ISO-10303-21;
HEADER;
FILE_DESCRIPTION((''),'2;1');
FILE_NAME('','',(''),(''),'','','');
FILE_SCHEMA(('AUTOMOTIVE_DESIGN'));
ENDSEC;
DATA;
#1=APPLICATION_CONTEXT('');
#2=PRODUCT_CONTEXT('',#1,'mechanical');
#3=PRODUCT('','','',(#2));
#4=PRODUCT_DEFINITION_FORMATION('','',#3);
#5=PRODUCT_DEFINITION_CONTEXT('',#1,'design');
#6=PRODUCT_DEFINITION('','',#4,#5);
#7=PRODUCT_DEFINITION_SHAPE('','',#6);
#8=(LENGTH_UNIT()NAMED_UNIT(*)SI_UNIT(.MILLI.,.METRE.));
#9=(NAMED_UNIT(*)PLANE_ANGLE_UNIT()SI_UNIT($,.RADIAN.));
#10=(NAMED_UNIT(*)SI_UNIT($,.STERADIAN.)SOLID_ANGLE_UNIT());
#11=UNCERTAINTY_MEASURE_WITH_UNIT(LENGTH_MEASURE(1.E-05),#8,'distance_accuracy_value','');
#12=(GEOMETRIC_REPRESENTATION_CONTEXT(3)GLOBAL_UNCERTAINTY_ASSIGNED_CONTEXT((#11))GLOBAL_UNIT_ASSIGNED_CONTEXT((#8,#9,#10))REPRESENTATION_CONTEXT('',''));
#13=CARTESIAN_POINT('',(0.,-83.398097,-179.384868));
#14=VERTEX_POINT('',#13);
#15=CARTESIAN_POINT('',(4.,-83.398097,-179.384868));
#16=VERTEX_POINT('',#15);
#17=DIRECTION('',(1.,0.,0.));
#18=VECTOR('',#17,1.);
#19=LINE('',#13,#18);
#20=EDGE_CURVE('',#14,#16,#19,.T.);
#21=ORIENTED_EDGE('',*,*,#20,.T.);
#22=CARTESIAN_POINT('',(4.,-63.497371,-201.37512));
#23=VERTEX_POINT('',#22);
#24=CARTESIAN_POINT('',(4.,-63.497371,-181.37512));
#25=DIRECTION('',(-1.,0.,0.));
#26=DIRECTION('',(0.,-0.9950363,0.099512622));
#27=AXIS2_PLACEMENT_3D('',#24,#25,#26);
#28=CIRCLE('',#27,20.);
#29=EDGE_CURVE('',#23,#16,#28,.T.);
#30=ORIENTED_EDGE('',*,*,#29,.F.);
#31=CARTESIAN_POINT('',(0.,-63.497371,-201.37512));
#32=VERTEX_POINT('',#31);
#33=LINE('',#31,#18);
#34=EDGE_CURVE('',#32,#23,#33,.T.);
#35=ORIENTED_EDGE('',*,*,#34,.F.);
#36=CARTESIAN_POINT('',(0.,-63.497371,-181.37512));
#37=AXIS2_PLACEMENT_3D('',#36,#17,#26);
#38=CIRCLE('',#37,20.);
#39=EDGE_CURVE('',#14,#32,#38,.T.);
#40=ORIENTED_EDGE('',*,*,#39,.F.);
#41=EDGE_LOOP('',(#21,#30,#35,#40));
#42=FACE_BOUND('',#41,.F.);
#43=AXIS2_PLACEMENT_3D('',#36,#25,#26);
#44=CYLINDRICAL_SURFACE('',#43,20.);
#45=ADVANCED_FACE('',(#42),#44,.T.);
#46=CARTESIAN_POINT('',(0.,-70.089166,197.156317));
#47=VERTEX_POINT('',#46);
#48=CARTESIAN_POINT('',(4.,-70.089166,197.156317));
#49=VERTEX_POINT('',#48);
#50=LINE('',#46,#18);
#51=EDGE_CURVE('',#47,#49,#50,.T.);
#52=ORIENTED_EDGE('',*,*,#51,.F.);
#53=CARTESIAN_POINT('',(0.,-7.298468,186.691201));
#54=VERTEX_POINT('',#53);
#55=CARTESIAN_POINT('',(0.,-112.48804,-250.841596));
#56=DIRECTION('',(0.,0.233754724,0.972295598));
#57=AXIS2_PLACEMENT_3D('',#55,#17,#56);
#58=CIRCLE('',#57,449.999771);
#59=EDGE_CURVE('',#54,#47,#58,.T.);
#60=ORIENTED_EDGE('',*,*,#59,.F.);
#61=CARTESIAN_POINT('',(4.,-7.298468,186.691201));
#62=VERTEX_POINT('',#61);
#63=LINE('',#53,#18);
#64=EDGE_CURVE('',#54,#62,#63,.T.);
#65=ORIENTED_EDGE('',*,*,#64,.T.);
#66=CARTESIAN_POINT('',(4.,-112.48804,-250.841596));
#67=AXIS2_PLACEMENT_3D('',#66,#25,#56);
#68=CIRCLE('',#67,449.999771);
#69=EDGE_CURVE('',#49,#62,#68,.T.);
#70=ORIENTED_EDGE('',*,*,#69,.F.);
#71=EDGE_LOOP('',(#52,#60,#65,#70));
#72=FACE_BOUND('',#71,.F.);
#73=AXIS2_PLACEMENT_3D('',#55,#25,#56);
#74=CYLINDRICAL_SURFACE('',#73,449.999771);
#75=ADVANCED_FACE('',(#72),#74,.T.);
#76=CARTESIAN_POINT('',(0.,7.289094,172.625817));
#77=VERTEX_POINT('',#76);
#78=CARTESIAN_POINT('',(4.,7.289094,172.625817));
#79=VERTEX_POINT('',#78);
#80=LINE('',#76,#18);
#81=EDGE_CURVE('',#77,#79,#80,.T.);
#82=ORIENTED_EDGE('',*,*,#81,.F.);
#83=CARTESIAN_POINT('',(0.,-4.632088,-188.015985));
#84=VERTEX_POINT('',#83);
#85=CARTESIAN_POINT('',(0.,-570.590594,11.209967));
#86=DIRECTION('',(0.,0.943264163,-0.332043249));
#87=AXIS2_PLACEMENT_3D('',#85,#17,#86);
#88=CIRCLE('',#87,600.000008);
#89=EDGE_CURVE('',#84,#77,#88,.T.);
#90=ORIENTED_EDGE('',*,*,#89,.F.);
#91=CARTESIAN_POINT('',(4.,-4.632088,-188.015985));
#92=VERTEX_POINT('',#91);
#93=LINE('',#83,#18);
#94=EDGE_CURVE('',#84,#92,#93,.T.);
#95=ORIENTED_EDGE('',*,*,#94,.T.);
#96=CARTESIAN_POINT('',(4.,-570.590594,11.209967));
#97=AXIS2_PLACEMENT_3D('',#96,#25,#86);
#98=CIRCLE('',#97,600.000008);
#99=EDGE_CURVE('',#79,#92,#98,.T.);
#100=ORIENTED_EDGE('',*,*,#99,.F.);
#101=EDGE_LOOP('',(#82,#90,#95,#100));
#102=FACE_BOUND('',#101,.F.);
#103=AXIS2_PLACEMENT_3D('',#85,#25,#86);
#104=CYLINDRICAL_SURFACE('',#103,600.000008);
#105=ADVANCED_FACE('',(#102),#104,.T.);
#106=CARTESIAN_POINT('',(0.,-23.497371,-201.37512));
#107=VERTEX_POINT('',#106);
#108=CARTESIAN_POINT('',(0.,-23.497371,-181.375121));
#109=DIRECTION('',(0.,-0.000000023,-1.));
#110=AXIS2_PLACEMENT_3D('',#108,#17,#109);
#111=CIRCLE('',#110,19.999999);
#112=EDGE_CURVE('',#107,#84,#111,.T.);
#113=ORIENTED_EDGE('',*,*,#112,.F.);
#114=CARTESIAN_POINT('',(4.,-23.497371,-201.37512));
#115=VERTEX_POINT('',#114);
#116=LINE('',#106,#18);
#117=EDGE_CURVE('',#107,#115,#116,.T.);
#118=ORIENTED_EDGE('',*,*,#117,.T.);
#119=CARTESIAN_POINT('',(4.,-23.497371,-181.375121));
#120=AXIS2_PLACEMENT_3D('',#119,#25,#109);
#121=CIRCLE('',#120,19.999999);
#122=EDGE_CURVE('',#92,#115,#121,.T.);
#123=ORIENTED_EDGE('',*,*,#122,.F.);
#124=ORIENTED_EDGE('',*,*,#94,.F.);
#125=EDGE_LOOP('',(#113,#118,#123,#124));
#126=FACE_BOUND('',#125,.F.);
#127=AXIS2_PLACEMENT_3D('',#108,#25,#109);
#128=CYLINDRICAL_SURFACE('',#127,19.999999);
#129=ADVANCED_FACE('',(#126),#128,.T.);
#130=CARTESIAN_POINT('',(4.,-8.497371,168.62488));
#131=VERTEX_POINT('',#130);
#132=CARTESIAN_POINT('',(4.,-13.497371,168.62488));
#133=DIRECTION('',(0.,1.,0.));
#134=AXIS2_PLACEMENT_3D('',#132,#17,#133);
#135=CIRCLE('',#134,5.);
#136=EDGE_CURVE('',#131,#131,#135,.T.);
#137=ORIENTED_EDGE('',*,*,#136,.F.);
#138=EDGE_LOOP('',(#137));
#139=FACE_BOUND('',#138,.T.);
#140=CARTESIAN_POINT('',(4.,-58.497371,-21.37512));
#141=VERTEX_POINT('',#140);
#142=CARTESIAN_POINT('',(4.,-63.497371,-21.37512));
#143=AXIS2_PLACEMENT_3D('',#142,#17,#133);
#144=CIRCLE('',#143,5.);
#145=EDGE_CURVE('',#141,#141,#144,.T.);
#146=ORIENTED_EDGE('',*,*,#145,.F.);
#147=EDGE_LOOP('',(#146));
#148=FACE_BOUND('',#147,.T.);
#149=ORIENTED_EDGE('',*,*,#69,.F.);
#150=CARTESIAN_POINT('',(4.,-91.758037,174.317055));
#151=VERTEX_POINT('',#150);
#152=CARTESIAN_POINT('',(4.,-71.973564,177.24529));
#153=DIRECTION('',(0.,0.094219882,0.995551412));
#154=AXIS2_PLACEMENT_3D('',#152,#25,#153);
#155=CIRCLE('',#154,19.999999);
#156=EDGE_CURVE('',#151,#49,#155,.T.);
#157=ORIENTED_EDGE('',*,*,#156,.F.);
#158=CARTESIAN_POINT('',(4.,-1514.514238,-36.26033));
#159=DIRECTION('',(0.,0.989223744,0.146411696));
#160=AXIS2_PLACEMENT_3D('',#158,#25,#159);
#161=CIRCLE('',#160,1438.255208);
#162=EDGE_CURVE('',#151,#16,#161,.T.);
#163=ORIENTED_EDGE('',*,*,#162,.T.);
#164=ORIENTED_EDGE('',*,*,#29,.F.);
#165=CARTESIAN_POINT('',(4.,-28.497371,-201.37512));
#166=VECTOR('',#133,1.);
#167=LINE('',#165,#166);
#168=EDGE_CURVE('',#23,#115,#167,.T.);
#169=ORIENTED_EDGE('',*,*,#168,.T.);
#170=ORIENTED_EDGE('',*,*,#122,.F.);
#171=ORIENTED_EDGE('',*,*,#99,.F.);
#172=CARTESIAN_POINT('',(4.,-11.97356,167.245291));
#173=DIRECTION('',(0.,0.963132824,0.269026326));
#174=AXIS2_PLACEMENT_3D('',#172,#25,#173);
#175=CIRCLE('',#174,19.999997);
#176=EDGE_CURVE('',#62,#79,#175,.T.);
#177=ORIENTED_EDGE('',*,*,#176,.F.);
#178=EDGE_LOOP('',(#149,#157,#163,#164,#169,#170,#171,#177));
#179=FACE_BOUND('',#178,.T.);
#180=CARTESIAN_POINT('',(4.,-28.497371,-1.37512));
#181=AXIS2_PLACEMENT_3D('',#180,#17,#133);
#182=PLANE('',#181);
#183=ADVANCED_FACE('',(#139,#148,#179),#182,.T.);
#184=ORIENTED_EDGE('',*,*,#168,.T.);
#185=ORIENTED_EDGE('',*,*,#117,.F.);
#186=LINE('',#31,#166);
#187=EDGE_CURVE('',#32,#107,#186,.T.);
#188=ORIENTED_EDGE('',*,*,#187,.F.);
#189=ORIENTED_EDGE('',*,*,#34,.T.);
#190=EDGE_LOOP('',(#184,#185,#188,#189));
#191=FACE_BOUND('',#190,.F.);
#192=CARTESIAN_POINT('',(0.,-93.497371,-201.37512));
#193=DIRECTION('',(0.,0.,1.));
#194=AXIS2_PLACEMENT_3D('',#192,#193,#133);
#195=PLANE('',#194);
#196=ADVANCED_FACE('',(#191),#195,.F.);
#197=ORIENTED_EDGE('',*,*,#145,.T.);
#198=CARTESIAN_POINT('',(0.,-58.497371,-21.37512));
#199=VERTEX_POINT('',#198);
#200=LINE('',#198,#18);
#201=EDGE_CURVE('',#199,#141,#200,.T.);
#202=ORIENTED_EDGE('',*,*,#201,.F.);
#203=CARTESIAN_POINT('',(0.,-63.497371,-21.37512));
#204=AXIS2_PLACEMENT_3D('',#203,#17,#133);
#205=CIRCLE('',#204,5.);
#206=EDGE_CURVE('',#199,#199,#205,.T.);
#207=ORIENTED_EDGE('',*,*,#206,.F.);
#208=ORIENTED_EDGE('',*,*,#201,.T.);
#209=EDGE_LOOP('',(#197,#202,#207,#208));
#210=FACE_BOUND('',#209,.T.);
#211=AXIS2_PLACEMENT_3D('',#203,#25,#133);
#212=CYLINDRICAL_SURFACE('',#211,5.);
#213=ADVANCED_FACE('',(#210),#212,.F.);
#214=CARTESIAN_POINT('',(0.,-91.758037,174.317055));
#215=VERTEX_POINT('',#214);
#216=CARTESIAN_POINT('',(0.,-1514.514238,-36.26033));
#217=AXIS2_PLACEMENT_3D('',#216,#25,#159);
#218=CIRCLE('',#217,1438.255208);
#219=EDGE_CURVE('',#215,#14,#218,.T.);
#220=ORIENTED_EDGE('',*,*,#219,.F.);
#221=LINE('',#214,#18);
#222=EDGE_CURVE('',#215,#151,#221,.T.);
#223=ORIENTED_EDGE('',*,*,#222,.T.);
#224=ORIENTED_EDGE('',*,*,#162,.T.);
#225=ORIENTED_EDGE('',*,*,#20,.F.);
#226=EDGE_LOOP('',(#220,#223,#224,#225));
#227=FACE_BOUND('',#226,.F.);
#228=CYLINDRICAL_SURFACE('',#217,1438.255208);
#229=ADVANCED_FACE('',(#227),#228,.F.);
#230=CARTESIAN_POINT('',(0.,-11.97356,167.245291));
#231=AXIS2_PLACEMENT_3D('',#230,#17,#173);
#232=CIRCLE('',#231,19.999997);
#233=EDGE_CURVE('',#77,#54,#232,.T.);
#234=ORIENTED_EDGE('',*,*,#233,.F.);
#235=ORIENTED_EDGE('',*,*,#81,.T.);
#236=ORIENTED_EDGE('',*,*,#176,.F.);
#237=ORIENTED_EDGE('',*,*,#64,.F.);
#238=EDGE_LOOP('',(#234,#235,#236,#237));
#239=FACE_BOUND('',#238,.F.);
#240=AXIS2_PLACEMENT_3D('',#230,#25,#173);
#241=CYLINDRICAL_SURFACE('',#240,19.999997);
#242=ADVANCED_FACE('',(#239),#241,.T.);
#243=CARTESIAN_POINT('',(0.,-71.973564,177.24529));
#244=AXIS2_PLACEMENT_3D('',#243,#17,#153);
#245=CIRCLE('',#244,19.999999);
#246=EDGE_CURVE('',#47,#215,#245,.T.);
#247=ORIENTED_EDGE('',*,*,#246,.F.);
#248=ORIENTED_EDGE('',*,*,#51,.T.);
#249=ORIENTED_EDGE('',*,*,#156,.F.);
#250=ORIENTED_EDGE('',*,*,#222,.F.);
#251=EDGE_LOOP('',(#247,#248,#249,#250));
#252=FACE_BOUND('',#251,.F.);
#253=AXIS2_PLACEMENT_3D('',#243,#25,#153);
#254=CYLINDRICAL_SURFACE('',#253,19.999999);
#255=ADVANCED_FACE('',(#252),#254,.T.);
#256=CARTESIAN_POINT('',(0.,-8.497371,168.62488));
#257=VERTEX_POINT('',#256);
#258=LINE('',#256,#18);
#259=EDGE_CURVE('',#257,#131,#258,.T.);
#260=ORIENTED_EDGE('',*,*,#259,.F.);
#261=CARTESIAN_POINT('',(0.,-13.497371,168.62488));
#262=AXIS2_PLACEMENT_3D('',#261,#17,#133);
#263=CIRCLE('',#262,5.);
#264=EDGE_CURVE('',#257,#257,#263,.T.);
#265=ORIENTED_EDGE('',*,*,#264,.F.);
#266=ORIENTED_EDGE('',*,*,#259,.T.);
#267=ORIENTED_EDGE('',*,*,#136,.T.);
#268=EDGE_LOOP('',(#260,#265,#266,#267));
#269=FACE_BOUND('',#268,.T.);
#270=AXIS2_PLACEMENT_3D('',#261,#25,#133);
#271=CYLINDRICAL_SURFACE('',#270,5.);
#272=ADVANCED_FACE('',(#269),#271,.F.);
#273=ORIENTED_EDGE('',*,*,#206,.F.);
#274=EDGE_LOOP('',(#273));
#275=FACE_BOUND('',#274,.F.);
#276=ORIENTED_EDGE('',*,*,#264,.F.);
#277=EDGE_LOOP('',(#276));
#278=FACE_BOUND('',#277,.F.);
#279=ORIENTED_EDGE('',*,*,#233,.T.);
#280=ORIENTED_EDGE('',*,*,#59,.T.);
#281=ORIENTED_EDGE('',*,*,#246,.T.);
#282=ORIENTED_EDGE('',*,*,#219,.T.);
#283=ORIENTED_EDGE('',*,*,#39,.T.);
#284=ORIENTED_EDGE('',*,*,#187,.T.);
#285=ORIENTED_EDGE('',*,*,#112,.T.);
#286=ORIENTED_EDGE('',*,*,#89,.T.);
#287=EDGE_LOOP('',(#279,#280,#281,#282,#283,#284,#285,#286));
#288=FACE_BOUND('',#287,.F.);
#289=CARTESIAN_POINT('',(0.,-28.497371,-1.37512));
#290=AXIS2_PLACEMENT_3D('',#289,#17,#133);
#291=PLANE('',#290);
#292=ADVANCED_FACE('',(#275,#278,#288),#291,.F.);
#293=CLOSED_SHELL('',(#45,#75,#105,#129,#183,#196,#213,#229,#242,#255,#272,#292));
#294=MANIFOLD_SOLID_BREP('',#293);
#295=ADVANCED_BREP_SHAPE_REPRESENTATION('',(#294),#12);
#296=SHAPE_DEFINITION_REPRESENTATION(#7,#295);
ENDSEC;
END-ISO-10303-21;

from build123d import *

# Parameters (mm, degrees)
F0_W     = 130
F0_H     = 400
F0_R     = 5
F1_DEPTH = 4
F3_DEPTH = 5


with BuildPart() as f1:
    # F0 (on Right) → F1 (new body)
    with BuildSketch(Plane.YZ):
        with Locations((-28.497371, -1.37512)):
            Rectangle(F0_W, F0_H)
        with Locations((-63.497371, -21.37512)):
            Circle(F0_R, mode=Mode.SUBTRACT)
        with Locations((-13.497371, 168.62488)):
            Circle(F0_R, mode=Mode.SUBTRACT)
    extrude(amount=F1_DEPTH)

    # F2 (on face) → F3 (intersect)
    with BuildSketch(Plane.YZ):
        with BuildLine():
            ThreePointArc((-91.758037, 174.317055), (-76.660595, -2.275866), (-83.398097, -179.384868))
            ThreePointArc((-83.398097, -179.384868), (-78.326482, -194.79516), (-63.497371, -201.37512))
            Line((-63.497371, -201.37512), (-23.497371, -201.37512))
            ThreePointArc((-23.497371, -201.37512), (-11.939199, -197.69715), (-4.632088, -188.015985))
            ThreePointArc((-4.632088, -188.015985), (29.081884, -8.612485), (7.289094, 172.625817))
            ThreePointArc((7.289094, 172.625817), (1.908539, 181.642764), (-7.298468, 186.691201))
            ThreePointArc((-7.298468, 186.691201), (-38.508536, 193.035445), (-70.089166, 197.156317))
            ThreePointArc((-70.089166, 197.156317), (-86.482566, 191.010783), (-91.758037, 174.317055))
        make_face()
    extrude(amount=F3_DEPTH, mode=Mode.INTERSECT)


solid = f1.part
